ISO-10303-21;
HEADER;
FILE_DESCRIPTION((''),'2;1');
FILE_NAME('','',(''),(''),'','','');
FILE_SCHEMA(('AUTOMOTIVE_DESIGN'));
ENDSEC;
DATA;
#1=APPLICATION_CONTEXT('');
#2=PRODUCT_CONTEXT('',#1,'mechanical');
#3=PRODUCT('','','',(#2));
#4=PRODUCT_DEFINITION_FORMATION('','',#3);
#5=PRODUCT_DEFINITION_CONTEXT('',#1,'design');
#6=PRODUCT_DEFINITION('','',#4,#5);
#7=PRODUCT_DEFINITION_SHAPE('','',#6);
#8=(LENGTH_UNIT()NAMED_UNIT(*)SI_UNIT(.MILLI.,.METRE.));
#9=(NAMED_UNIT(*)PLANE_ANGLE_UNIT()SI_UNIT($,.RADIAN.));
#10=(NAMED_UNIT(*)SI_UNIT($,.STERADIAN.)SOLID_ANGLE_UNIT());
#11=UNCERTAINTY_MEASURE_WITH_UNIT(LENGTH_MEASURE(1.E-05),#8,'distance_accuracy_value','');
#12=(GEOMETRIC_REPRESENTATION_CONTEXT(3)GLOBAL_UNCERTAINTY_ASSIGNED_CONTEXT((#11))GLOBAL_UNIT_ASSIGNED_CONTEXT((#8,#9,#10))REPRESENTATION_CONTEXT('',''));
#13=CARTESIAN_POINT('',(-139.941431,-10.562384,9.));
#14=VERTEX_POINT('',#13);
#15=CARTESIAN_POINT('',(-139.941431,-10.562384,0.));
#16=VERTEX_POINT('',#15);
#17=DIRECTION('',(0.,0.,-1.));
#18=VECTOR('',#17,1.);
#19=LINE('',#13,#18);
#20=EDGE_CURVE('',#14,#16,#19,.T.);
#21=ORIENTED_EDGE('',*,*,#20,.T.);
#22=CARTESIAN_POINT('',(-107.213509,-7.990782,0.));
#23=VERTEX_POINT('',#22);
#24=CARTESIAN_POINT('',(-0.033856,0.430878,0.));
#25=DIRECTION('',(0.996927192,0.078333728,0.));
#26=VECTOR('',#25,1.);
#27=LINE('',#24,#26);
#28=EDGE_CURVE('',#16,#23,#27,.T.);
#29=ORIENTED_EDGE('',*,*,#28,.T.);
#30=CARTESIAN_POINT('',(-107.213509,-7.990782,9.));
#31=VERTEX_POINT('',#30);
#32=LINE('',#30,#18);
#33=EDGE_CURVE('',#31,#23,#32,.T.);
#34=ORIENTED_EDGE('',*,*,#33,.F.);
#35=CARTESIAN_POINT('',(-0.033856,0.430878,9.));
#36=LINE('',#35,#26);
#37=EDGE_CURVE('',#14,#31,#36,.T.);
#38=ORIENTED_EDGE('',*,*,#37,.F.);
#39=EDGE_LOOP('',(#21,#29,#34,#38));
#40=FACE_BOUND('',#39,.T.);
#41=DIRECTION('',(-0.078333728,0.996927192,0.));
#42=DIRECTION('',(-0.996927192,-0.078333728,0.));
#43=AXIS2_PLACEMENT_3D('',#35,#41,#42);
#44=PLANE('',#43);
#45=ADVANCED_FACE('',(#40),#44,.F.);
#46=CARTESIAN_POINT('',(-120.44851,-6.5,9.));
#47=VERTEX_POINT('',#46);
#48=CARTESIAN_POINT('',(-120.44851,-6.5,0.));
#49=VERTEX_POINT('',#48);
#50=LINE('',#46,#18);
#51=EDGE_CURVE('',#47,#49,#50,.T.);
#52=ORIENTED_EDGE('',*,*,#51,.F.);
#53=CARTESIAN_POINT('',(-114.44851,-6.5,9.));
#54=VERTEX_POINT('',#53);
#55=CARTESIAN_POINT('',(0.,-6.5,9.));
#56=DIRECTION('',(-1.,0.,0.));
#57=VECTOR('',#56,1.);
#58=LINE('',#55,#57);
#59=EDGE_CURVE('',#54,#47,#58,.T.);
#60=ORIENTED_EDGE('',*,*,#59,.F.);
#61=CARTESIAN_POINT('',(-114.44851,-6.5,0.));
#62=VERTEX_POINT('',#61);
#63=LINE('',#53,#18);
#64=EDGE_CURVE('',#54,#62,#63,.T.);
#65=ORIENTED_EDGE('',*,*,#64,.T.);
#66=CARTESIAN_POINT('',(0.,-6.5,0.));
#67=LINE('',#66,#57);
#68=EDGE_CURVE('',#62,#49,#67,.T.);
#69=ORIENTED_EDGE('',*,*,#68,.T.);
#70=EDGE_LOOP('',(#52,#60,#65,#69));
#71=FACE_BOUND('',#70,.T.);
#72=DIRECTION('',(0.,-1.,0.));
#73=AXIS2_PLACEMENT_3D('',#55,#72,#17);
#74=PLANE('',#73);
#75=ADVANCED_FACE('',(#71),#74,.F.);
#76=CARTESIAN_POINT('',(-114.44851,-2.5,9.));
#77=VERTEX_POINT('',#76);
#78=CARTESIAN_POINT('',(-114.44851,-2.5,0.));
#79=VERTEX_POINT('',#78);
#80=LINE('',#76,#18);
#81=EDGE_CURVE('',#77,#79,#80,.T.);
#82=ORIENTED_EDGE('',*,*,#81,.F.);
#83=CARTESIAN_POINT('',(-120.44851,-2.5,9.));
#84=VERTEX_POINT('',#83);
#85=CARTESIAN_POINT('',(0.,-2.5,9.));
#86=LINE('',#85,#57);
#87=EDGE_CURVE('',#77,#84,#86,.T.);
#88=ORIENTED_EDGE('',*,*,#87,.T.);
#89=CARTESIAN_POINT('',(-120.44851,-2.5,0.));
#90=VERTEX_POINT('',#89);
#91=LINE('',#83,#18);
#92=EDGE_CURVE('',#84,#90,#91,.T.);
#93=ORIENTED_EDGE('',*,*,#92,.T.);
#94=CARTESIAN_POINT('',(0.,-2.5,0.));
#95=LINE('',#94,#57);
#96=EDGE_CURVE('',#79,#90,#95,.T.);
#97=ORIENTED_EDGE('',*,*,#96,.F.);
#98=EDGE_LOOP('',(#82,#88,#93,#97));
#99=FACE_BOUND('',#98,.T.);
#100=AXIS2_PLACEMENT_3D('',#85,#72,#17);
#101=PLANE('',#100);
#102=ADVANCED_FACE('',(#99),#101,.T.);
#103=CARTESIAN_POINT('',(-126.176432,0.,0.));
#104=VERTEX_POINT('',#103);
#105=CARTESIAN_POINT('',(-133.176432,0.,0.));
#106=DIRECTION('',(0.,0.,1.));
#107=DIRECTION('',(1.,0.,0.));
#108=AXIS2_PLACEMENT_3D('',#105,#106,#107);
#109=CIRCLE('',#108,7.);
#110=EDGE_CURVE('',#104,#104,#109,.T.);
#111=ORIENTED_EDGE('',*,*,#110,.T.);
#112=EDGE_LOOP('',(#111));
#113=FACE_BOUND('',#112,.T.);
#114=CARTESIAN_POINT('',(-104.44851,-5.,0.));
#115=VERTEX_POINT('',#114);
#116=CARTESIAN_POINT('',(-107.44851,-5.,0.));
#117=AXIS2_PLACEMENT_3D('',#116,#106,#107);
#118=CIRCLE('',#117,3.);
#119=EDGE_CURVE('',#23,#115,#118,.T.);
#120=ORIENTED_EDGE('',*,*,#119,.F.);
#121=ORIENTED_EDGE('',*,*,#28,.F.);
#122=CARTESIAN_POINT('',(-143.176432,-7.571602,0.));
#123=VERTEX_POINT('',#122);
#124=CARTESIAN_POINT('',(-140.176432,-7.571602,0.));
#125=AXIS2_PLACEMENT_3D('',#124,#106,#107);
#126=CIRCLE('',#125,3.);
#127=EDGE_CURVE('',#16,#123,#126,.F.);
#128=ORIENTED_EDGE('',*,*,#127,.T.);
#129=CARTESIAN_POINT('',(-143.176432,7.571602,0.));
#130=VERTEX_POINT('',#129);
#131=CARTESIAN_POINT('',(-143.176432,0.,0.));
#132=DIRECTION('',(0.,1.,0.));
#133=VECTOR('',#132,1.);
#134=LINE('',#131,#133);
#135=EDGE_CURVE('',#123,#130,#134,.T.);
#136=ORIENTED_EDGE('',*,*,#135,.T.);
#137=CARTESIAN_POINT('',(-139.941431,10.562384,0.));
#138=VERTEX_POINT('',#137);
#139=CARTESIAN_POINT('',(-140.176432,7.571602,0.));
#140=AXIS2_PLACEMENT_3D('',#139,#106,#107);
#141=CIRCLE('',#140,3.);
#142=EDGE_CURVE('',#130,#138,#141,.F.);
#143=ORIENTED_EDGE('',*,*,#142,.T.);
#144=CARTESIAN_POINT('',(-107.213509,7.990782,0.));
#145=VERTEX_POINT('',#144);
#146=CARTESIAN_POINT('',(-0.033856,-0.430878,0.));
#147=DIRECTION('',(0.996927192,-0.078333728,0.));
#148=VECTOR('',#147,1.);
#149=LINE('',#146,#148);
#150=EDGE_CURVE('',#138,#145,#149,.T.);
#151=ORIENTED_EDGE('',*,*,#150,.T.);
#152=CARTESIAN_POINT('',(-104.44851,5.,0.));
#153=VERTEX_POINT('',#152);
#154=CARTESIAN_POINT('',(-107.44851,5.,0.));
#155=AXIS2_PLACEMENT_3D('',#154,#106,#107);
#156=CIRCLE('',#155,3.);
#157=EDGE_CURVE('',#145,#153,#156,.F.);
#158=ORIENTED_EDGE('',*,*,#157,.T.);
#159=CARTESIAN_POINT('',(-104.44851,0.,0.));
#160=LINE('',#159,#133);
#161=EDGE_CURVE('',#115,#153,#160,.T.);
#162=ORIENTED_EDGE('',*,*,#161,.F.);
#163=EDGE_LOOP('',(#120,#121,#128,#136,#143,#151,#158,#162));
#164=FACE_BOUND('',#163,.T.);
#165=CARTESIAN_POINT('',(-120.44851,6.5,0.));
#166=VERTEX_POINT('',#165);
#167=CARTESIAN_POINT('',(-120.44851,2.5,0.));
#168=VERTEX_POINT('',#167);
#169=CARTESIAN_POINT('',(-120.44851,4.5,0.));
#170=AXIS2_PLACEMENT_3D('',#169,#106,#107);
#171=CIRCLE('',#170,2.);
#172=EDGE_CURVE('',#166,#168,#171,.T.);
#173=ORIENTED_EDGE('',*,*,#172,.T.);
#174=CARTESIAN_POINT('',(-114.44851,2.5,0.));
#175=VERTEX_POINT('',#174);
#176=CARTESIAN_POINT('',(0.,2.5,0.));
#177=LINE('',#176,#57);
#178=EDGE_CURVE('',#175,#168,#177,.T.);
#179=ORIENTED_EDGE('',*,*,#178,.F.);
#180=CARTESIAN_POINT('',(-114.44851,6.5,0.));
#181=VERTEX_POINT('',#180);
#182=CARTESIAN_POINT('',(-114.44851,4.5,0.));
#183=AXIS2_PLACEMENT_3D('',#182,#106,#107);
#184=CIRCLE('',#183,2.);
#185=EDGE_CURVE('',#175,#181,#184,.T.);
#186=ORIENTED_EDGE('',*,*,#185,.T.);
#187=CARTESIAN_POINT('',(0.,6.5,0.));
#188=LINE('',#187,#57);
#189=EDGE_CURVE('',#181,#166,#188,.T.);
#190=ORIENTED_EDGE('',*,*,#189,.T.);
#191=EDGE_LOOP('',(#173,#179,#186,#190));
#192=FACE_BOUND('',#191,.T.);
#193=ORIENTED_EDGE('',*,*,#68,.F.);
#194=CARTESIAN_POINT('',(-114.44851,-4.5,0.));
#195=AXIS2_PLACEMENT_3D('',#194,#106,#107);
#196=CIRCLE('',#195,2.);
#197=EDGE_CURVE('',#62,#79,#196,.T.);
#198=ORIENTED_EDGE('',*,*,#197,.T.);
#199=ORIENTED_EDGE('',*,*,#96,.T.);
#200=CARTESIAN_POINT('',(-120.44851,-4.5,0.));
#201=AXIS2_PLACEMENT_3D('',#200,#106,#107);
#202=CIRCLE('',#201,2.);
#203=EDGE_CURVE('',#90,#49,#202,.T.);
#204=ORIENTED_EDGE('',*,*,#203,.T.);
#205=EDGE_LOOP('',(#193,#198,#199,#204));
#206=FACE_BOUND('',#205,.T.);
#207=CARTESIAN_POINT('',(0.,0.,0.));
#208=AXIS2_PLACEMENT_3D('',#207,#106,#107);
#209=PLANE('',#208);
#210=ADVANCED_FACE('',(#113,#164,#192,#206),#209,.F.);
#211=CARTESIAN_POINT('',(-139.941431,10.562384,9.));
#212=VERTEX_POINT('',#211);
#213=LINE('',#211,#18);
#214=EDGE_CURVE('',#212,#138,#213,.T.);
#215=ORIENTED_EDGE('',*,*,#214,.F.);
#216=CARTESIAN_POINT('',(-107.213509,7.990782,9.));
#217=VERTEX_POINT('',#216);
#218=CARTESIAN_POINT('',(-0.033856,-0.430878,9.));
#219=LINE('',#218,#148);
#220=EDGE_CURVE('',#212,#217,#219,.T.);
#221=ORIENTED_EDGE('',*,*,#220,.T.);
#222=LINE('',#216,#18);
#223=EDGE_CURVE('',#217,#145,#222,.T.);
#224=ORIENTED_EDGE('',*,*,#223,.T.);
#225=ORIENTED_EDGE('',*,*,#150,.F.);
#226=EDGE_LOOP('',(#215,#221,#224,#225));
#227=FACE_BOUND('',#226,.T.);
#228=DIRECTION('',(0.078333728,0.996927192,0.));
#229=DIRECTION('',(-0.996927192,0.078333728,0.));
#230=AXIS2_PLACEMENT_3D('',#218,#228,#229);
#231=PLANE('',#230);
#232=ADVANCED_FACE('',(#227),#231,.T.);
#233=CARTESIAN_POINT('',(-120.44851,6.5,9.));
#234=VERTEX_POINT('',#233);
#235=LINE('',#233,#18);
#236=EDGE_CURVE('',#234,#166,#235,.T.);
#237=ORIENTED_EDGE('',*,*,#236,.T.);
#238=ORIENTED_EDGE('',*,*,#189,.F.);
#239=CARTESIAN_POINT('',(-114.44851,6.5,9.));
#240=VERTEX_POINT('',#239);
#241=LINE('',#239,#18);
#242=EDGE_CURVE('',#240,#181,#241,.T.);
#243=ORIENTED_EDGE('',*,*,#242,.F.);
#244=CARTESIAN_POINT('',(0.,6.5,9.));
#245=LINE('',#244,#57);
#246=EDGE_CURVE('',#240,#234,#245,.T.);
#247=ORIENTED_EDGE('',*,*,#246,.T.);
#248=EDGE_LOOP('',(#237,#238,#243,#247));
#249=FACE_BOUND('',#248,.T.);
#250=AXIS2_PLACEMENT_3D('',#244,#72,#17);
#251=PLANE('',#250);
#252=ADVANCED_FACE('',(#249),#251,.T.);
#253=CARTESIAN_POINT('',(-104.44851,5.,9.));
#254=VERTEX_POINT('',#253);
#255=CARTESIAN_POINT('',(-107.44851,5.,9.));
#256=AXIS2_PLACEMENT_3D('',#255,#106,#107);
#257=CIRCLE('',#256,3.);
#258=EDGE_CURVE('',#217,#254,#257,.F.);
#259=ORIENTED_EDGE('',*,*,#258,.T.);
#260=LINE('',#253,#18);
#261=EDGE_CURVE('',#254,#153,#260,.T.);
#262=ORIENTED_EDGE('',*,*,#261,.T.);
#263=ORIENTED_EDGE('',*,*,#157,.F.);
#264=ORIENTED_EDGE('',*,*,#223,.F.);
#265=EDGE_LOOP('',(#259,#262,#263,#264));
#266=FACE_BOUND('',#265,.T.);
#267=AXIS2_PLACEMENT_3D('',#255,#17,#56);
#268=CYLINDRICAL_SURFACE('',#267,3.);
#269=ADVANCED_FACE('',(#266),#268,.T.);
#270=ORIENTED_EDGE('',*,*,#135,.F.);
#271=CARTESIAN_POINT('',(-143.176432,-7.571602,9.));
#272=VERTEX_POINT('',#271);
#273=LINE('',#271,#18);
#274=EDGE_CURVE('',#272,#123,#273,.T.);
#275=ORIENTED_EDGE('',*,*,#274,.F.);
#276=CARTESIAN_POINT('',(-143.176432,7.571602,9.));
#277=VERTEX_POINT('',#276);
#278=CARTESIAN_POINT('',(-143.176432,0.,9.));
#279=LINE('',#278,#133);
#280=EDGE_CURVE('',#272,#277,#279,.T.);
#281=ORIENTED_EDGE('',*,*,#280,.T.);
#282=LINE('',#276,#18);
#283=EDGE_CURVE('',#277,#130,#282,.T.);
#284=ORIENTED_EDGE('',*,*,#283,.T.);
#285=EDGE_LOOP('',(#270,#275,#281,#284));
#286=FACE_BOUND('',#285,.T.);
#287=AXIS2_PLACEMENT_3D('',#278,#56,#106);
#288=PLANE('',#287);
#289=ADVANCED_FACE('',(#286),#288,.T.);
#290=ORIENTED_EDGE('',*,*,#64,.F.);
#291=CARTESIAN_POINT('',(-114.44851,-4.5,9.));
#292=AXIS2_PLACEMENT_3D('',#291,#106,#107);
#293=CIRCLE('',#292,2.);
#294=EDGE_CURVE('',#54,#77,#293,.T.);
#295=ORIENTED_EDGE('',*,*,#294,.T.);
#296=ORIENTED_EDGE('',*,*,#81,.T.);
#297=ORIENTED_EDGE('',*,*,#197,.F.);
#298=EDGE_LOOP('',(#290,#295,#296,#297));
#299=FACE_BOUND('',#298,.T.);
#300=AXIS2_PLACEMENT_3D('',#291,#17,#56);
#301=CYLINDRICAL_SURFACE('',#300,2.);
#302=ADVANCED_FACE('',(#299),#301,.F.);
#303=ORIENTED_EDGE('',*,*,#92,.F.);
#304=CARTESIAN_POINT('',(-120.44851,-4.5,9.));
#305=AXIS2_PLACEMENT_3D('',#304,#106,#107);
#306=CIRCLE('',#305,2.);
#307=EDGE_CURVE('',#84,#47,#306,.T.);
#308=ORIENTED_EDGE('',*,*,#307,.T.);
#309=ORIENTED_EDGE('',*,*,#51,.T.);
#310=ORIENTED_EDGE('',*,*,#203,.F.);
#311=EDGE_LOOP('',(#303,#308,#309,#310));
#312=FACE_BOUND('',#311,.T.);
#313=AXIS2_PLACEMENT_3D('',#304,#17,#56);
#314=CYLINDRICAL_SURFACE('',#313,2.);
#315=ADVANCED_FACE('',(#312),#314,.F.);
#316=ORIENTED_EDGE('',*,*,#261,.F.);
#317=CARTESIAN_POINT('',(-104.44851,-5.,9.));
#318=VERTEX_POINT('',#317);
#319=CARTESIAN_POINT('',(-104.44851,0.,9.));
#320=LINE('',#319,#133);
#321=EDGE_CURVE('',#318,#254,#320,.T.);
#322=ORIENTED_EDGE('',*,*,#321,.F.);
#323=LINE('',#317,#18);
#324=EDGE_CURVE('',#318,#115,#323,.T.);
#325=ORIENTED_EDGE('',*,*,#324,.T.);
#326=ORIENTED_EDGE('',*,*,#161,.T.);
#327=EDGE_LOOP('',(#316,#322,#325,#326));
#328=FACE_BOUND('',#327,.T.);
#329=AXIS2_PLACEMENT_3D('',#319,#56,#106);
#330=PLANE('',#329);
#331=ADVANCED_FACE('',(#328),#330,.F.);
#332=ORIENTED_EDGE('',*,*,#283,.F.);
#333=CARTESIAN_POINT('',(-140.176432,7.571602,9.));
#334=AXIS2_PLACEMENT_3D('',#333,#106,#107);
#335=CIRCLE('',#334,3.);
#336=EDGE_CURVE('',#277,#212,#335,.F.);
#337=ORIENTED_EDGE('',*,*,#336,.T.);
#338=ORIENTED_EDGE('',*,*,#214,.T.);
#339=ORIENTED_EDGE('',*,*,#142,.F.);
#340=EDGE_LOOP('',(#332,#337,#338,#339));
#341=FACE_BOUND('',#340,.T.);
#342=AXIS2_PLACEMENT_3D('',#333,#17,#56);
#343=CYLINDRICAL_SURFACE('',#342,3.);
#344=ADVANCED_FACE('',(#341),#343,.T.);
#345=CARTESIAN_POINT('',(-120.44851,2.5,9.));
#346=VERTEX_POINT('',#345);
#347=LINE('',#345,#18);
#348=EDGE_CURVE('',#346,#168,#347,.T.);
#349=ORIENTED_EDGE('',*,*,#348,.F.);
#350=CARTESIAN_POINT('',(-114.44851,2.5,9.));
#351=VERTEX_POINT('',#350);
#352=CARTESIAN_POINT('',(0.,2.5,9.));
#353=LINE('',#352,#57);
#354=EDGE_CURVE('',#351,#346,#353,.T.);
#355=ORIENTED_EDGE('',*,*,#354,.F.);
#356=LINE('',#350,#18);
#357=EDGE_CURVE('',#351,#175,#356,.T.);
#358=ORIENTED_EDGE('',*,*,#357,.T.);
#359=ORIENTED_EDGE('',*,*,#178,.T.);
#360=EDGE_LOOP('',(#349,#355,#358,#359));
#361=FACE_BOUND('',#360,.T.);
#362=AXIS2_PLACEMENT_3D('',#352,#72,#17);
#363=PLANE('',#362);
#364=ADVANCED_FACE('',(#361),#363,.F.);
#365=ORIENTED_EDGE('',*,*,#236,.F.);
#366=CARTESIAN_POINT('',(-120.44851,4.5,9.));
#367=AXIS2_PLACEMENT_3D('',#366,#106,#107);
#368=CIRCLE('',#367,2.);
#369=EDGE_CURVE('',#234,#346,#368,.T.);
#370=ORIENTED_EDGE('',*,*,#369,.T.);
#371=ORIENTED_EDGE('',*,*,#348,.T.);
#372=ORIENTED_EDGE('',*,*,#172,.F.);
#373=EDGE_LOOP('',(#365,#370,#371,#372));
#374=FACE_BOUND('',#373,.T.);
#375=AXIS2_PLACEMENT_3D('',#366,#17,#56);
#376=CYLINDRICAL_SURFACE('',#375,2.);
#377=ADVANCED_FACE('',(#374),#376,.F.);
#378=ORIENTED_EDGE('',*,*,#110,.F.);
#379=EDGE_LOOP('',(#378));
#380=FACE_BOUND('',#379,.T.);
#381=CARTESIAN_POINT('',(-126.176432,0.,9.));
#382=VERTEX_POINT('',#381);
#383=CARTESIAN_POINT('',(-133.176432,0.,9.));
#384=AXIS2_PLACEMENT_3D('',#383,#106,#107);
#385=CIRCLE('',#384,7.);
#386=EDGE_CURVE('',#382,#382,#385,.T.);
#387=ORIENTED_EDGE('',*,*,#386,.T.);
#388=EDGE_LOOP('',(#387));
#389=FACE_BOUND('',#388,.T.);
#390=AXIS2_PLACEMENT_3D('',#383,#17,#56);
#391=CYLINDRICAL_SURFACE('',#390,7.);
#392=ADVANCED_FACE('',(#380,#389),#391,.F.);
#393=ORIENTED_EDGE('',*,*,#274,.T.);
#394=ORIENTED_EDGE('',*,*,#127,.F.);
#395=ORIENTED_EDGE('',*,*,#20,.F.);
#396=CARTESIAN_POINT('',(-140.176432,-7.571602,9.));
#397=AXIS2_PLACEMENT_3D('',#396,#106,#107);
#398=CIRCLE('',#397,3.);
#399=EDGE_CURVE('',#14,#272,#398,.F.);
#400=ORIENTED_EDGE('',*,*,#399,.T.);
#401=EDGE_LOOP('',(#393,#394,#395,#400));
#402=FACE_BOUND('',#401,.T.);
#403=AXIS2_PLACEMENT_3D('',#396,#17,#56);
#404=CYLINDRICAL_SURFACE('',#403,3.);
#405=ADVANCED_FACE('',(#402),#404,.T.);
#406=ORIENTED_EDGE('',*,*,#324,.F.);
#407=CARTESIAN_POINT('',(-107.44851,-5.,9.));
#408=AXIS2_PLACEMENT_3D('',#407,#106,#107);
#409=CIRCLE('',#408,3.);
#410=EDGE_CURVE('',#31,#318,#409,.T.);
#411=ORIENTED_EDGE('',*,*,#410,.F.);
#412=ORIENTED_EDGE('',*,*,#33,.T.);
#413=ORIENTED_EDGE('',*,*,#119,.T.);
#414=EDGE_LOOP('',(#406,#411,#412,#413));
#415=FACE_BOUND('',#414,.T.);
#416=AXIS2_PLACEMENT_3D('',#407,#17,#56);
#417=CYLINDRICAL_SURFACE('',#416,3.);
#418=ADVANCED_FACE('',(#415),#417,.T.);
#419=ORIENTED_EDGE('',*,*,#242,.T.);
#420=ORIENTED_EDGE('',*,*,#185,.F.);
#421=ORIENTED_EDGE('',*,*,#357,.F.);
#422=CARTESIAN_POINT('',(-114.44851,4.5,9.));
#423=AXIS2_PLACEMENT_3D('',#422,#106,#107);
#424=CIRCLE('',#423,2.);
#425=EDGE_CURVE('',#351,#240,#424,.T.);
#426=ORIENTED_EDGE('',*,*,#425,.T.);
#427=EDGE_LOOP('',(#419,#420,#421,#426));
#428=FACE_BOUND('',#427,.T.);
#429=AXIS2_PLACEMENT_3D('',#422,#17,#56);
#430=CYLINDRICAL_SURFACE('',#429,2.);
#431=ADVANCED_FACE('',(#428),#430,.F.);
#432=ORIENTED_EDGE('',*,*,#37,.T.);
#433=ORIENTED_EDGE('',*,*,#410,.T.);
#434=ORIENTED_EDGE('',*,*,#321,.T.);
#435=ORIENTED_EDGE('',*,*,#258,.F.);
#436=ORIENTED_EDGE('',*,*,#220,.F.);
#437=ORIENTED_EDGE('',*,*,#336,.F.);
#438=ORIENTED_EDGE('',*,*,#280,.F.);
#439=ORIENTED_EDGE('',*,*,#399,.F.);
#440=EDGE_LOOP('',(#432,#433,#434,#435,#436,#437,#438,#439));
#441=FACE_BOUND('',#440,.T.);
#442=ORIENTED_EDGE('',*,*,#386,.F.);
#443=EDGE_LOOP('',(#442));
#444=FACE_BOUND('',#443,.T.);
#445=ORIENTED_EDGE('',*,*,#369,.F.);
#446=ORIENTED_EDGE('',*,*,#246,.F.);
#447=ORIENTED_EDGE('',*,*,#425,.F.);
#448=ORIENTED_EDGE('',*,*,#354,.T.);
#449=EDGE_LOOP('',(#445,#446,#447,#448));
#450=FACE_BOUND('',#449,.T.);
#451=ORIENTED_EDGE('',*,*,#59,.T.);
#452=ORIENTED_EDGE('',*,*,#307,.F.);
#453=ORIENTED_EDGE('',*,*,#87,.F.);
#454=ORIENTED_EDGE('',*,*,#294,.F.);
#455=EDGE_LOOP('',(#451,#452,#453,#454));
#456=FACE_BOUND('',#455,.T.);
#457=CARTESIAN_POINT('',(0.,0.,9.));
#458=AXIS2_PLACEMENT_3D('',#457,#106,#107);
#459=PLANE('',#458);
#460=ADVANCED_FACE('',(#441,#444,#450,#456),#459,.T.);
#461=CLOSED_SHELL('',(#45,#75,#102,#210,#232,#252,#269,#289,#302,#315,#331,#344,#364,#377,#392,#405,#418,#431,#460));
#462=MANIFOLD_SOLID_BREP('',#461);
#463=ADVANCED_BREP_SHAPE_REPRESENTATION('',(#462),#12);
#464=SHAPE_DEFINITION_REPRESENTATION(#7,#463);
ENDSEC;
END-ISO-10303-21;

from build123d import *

# Parameters (mm, degrees)
SKETCH1_R           = 7
BOSS_EXTRUDE1_DEPTH = 9


with BuildPart() as part:
    # Sketch1 → Boss-Extrude1 (new body)
    with BuildSketch(Plane.XY):
        with BuildLine():
            Line((-139.941431307, -10.562383746), (-107.213509245, -7.990781577))
            ThreePointArc((-107.213509245, -7.990781577), (-105.245670948, -7.03654075), (-104.448510428, -5))
            Line((-104.448510428, -5), (-104.448510428, 5))
            ThreePointArc((-104.448510428, 5), (-105.245670948, 7.03654075), (-107.213509245, 7.990781577))
            Line((-107.213509245, 7.990781577), (-139.941431307, 10.562383746))
            ThreePointArc((-139.941431307, 10.562383746), (-142.212973239, 9.774441649), (-143.176432489, 7.571602169))
            Line((-143.176432489, 7.571602169), (-143.176432489, -7.571602169))
            ThreePointArc((-143.176432489, -7.571602169), (-142.212973239, -9.774441649), (-139.941431307, -10.562383746))
        make_face()
        with Locations((-133.176432489, 0)):
            Circle(SKETCH1_R, mode=Mode.SUBTRACT)
        with BuildLine():
            Line((-114.448510428, -6.5), (-120.448510428, -6.5))
            ThreePointArc((-120.448510428, -6.5), (-122.448510428, -4.5), (-120.448510428, -2.5))
            Line((-120.448510428, -2.5), (-114.448510428, -2.5))
            ThreePointArc((-114.448510428, -2.5), (-112.448510428, -4.5), (-114.448510428, -6.5))
        make_face(mode=Mode.SUBTRACT)
        with BuildLine():
            Line((-114.448510428, 2.5), (-120.448510428, 2.5))
            ThreePointArc((-120.448510428, 2.5), (-122.448510428, 4.5), (-120.448510428, 6.5))
            Line((-120.448510428, 6.5), (-114.448510428, 6.5))
            ThreePointArc((-114.448510428, 6.5), (-112.448510428, 4.5), (-114.448510428, 2.5))
        make_face(mode=Mode.SUBTRACT)
    extrude(amount=BOSS_EXTRUDE1_DEPTH)


solid = part.part
